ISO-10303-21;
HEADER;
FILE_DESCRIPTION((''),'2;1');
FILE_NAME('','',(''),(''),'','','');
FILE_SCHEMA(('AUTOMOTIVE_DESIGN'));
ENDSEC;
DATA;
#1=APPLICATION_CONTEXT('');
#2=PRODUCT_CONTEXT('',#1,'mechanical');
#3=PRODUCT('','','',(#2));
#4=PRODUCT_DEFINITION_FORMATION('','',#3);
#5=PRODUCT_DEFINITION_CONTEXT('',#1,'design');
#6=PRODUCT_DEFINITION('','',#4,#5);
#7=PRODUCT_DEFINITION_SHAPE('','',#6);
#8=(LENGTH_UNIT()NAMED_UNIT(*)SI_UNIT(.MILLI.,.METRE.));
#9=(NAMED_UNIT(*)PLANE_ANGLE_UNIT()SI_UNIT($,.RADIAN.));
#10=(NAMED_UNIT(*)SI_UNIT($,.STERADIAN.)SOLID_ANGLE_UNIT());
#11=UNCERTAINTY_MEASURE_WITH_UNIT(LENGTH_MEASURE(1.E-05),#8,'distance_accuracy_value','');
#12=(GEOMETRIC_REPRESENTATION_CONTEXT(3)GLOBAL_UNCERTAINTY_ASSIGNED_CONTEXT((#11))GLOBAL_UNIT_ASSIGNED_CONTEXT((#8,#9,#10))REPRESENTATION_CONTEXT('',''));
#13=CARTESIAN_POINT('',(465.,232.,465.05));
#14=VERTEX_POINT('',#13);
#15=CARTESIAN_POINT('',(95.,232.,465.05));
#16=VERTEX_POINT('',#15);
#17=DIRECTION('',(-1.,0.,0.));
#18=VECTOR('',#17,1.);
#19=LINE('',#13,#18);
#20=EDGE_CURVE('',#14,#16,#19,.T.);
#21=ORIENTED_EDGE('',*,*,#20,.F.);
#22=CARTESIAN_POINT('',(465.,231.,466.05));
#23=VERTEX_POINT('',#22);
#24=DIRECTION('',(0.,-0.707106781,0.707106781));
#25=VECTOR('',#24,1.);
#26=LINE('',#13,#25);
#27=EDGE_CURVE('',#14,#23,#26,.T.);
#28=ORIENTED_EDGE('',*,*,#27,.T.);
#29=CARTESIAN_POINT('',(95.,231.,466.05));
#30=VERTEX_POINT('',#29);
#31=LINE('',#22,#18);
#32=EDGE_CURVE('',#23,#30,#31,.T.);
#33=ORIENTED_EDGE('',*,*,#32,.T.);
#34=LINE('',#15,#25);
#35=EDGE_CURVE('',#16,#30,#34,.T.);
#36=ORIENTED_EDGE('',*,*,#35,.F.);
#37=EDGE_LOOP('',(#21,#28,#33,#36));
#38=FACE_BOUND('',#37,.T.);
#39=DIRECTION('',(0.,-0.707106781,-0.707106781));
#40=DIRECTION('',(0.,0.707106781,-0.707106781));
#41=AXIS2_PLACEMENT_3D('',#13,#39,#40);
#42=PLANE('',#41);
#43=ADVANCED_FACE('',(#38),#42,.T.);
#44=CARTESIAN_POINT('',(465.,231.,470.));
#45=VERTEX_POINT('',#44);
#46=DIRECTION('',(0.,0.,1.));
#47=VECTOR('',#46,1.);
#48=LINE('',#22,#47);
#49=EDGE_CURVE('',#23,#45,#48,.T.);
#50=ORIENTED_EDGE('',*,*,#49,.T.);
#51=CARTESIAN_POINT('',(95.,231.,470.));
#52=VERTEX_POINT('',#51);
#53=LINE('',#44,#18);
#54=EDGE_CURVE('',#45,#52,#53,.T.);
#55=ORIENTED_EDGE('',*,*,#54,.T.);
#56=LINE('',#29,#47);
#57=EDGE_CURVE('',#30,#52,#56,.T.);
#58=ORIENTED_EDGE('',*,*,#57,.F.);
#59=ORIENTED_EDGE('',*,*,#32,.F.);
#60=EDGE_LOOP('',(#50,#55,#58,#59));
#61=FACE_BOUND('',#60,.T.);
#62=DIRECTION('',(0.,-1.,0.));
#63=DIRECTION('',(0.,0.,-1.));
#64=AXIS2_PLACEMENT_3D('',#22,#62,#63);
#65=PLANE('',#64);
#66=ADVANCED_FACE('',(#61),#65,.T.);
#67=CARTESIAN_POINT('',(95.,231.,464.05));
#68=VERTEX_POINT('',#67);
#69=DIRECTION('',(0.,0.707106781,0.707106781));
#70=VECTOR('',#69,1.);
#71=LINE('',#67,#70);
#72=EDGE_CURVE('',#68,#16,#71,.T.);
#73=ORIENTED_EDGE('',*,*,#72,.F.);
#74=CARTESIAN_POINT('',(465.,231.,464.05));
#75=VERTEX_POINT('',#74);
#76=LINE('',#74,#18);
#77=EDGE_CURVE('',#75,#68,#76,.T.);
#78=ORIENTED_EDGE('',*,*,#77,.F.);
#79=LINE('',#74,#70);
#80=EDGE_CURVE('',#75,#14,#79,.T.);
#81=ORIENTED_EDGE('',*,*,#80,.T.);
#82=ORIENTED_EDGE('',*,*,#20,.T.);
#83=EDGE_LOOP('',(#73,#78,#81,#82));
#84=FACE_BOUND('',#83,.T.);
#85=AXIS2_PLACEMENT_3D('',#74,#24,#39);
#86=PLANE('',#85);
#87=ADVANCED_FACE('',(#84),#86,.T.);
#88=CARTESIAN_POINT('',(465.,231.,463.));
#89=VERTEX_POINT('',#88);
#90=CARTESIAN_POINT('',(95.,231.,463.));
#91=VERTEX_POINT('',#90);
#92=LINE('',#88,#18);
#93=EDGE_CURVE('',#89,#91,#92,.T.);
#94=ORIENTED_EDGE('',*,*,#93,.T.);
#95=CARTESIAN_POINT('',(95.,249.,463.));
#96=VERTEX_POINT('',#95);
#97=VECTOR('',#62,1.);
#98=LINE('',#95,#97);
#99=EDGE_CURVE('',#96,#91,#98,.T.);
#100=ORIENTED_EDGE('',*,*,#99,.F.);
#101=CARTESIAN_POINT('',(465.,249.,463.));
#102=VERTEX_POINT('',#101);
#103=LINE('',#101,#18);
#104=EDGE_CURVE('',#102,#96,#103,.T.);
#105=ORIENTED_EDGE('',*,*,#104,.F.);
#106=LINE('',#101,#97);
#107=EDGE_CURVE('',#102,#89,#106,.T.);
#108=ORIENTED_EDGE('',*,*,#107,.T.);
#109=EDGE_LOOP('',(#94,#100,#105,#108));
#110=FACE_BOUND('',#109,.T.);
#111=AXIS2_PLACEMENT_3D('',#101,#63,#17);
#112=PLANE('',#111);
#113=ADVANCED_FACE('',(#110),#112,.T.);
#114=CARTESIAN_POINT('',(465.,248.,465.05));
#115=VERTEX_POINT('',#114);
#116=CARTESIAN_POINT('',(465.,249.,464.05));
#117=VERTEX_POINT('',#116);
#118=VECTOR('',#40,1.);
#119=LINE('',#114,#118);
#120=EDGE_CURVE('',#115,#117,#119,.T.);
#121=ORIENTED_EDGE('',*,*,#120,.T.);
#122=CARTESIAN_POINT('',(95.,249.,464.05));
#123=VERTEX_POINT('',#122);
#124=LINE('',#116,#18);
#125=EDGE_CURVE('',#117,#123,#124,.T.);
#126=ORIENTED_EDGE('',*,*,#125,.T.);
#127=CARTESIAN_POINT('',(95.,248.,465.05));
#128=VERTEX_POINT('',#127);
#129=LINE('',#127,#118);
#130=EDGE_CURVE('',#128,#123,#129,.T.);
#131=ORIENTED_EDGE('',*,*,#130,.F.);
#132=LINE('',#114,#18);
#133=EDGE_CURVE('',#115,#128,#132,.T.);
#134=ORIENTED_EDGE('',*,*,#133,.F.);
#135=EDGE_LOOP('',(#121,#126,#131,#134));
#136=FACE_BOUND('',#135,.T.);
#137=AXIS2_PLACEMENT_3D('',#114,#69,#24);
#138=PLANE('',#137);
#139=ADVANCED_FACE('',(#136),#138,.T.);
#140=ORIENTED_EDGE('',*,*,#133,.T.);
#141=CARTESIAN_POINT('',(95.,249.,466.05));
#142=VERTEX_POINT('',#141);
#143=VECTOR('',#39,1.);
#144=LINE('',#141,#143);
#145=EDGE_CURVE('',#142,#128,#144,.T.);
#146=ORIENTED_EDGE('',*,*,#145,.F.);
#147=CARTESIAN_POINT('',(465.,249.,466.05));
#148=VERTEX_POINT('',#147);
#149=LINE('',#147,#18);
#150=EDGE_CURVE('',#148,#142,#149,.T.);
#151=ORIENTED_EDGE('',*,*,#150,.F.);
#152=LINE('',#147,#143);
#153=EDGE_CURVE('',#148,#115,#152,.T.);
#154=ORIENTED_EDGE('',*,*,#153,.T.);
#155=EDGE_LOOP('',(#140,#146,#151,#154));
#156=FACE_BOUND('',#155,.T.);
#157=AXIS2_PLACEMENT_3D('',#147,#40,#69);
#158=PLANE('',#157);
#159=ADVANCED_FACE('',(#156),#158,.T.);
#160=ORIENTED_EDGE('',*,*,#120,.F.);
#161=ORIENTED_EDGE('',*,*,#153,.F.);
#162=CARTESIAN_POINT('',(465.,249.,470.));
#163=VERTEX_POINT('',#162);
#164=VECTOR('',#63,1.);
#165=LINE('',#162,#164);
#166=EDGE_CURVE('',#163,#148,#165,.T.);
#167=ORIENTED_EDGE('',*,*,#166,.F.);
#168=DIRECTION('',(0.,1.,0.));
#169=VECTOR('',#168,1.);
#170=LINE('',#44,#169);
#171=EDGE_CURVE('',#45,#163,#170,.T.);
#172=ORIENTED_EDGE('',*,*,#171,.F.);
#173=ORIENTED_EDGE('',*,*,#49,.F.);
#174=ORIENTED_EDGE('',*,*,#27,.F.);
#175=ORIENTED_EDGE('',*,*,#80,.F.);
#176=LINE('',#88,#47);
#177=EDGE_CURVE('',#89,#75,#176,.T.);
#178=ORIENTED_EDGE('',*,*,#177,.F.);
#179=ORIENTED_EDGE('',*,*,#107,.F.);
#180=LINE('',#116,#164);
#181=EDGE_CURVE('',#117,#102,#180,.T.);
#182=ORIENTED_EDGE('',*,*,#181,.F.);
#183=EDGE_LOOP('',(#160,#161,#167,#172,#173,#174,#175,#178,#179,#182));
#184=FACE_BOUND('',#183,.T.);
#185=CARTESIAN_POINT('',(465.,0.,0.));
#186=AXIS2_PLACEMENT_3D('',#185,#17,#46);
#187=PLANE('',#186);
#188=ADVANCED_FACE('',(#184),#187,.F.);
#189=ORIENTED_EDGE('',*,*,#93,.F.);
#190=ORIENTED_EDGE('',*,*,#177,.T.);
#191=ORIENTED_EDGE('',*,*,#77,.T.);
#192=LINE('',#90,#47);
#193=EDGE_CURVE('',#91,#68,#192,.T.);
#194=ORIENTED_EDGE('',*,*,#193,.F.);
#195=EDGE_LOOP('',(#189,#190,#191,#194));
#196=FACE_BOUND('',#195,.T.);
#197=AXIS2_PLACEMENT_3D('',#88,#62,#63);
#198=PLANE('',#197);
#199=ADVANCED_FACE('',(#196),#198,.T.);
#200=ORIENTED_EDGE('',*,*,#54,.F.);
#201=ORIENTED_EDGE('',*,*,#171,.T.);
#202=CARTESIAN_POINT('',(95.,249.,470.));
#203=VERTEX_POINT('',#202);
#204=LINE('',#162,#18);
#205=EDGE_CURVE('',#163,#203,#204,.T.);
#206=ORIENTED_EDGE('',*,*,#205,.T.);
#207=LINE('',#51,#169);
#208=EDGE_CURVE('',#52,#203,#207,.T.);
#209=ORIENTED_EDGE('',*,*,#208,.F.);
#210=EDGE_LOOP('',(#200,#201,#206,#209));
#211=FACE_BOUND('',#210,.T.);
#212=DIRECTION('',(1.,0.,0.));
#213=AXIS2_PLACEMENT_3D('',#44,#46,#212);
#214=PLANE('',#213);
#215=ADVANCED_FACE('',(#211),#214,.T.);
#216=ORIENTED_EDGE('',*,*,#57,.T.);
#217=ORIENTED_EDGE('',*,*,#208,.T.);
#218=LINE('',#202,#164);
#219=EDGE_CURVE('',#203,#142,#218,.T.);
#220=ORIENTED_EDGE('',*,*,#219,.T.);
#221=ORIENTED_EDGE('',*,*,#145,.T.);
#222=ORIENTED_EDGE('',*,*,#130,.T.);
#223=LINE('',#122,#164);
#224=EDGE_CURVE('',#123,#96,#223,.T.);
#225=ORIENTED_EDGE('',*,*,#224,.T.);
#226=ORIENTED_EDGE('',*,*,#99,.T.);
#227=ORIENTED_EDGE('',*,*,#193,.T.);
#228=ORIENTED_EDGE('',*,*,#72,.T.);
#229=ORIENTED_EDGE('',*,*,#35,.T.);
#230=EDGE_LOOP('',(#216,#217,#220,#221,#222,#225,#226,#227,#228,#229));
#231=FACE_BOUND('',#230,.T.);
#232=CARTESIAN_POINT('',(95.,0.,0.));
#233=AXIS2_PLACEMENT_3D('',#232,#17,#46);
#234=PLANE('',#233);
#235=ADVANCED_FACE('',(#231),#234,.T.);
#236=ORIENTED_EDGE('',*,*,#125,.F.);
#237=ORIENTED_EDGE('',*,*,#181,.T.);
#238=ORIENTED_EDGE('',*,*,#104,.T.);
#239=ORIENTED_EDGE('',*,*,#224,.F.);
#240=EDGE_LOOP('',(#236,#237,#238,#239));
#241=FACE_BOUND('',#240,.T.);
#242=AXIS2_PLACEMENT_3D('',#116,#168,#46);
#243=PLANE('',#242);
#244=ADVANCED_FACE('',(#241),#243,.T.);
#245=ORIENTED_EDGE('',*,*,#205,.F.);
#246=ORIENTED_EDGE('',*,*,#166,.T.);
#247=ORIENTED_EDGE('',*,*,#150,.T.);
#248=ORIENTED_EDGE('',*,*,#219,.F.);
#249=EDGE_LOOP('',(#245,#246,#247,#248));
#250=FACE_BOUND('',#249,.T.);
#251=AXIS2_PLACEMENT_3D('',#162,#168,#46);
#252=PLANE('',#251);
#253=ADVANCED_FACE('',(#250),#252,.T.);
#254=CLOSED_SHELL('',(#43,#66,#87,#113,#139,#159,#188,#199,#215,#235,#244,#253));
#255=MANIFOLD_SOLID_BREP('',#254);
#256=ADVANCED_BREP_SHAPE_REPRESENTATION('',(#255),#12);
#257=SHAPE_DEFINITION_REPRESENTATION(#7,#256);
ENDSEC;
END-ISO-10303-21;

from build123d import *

# Parameters (mm, degrees)
EXTRUDE_1_DEPTH = 370


with BuildPart() as part:
    # 草图1 → 凸台-拉伸1 (new body)
    with BuildSketch(Plane(origin=(95, 0, 0), x_dir=(0, -1, 0), z_dir=(-1, 0, 0))):
        Polygon((-249, 463), (-231, 463), (-231, 464.05), (-232, 465.05), (-231, 466.05), (-231, 470), (-249, 470), (-249, 466.05), (-248, 465.05), (-249, 464.05), align=None)
    extrude(amount=-EXTRUDE_1_DEPTH)


solid = part.part
